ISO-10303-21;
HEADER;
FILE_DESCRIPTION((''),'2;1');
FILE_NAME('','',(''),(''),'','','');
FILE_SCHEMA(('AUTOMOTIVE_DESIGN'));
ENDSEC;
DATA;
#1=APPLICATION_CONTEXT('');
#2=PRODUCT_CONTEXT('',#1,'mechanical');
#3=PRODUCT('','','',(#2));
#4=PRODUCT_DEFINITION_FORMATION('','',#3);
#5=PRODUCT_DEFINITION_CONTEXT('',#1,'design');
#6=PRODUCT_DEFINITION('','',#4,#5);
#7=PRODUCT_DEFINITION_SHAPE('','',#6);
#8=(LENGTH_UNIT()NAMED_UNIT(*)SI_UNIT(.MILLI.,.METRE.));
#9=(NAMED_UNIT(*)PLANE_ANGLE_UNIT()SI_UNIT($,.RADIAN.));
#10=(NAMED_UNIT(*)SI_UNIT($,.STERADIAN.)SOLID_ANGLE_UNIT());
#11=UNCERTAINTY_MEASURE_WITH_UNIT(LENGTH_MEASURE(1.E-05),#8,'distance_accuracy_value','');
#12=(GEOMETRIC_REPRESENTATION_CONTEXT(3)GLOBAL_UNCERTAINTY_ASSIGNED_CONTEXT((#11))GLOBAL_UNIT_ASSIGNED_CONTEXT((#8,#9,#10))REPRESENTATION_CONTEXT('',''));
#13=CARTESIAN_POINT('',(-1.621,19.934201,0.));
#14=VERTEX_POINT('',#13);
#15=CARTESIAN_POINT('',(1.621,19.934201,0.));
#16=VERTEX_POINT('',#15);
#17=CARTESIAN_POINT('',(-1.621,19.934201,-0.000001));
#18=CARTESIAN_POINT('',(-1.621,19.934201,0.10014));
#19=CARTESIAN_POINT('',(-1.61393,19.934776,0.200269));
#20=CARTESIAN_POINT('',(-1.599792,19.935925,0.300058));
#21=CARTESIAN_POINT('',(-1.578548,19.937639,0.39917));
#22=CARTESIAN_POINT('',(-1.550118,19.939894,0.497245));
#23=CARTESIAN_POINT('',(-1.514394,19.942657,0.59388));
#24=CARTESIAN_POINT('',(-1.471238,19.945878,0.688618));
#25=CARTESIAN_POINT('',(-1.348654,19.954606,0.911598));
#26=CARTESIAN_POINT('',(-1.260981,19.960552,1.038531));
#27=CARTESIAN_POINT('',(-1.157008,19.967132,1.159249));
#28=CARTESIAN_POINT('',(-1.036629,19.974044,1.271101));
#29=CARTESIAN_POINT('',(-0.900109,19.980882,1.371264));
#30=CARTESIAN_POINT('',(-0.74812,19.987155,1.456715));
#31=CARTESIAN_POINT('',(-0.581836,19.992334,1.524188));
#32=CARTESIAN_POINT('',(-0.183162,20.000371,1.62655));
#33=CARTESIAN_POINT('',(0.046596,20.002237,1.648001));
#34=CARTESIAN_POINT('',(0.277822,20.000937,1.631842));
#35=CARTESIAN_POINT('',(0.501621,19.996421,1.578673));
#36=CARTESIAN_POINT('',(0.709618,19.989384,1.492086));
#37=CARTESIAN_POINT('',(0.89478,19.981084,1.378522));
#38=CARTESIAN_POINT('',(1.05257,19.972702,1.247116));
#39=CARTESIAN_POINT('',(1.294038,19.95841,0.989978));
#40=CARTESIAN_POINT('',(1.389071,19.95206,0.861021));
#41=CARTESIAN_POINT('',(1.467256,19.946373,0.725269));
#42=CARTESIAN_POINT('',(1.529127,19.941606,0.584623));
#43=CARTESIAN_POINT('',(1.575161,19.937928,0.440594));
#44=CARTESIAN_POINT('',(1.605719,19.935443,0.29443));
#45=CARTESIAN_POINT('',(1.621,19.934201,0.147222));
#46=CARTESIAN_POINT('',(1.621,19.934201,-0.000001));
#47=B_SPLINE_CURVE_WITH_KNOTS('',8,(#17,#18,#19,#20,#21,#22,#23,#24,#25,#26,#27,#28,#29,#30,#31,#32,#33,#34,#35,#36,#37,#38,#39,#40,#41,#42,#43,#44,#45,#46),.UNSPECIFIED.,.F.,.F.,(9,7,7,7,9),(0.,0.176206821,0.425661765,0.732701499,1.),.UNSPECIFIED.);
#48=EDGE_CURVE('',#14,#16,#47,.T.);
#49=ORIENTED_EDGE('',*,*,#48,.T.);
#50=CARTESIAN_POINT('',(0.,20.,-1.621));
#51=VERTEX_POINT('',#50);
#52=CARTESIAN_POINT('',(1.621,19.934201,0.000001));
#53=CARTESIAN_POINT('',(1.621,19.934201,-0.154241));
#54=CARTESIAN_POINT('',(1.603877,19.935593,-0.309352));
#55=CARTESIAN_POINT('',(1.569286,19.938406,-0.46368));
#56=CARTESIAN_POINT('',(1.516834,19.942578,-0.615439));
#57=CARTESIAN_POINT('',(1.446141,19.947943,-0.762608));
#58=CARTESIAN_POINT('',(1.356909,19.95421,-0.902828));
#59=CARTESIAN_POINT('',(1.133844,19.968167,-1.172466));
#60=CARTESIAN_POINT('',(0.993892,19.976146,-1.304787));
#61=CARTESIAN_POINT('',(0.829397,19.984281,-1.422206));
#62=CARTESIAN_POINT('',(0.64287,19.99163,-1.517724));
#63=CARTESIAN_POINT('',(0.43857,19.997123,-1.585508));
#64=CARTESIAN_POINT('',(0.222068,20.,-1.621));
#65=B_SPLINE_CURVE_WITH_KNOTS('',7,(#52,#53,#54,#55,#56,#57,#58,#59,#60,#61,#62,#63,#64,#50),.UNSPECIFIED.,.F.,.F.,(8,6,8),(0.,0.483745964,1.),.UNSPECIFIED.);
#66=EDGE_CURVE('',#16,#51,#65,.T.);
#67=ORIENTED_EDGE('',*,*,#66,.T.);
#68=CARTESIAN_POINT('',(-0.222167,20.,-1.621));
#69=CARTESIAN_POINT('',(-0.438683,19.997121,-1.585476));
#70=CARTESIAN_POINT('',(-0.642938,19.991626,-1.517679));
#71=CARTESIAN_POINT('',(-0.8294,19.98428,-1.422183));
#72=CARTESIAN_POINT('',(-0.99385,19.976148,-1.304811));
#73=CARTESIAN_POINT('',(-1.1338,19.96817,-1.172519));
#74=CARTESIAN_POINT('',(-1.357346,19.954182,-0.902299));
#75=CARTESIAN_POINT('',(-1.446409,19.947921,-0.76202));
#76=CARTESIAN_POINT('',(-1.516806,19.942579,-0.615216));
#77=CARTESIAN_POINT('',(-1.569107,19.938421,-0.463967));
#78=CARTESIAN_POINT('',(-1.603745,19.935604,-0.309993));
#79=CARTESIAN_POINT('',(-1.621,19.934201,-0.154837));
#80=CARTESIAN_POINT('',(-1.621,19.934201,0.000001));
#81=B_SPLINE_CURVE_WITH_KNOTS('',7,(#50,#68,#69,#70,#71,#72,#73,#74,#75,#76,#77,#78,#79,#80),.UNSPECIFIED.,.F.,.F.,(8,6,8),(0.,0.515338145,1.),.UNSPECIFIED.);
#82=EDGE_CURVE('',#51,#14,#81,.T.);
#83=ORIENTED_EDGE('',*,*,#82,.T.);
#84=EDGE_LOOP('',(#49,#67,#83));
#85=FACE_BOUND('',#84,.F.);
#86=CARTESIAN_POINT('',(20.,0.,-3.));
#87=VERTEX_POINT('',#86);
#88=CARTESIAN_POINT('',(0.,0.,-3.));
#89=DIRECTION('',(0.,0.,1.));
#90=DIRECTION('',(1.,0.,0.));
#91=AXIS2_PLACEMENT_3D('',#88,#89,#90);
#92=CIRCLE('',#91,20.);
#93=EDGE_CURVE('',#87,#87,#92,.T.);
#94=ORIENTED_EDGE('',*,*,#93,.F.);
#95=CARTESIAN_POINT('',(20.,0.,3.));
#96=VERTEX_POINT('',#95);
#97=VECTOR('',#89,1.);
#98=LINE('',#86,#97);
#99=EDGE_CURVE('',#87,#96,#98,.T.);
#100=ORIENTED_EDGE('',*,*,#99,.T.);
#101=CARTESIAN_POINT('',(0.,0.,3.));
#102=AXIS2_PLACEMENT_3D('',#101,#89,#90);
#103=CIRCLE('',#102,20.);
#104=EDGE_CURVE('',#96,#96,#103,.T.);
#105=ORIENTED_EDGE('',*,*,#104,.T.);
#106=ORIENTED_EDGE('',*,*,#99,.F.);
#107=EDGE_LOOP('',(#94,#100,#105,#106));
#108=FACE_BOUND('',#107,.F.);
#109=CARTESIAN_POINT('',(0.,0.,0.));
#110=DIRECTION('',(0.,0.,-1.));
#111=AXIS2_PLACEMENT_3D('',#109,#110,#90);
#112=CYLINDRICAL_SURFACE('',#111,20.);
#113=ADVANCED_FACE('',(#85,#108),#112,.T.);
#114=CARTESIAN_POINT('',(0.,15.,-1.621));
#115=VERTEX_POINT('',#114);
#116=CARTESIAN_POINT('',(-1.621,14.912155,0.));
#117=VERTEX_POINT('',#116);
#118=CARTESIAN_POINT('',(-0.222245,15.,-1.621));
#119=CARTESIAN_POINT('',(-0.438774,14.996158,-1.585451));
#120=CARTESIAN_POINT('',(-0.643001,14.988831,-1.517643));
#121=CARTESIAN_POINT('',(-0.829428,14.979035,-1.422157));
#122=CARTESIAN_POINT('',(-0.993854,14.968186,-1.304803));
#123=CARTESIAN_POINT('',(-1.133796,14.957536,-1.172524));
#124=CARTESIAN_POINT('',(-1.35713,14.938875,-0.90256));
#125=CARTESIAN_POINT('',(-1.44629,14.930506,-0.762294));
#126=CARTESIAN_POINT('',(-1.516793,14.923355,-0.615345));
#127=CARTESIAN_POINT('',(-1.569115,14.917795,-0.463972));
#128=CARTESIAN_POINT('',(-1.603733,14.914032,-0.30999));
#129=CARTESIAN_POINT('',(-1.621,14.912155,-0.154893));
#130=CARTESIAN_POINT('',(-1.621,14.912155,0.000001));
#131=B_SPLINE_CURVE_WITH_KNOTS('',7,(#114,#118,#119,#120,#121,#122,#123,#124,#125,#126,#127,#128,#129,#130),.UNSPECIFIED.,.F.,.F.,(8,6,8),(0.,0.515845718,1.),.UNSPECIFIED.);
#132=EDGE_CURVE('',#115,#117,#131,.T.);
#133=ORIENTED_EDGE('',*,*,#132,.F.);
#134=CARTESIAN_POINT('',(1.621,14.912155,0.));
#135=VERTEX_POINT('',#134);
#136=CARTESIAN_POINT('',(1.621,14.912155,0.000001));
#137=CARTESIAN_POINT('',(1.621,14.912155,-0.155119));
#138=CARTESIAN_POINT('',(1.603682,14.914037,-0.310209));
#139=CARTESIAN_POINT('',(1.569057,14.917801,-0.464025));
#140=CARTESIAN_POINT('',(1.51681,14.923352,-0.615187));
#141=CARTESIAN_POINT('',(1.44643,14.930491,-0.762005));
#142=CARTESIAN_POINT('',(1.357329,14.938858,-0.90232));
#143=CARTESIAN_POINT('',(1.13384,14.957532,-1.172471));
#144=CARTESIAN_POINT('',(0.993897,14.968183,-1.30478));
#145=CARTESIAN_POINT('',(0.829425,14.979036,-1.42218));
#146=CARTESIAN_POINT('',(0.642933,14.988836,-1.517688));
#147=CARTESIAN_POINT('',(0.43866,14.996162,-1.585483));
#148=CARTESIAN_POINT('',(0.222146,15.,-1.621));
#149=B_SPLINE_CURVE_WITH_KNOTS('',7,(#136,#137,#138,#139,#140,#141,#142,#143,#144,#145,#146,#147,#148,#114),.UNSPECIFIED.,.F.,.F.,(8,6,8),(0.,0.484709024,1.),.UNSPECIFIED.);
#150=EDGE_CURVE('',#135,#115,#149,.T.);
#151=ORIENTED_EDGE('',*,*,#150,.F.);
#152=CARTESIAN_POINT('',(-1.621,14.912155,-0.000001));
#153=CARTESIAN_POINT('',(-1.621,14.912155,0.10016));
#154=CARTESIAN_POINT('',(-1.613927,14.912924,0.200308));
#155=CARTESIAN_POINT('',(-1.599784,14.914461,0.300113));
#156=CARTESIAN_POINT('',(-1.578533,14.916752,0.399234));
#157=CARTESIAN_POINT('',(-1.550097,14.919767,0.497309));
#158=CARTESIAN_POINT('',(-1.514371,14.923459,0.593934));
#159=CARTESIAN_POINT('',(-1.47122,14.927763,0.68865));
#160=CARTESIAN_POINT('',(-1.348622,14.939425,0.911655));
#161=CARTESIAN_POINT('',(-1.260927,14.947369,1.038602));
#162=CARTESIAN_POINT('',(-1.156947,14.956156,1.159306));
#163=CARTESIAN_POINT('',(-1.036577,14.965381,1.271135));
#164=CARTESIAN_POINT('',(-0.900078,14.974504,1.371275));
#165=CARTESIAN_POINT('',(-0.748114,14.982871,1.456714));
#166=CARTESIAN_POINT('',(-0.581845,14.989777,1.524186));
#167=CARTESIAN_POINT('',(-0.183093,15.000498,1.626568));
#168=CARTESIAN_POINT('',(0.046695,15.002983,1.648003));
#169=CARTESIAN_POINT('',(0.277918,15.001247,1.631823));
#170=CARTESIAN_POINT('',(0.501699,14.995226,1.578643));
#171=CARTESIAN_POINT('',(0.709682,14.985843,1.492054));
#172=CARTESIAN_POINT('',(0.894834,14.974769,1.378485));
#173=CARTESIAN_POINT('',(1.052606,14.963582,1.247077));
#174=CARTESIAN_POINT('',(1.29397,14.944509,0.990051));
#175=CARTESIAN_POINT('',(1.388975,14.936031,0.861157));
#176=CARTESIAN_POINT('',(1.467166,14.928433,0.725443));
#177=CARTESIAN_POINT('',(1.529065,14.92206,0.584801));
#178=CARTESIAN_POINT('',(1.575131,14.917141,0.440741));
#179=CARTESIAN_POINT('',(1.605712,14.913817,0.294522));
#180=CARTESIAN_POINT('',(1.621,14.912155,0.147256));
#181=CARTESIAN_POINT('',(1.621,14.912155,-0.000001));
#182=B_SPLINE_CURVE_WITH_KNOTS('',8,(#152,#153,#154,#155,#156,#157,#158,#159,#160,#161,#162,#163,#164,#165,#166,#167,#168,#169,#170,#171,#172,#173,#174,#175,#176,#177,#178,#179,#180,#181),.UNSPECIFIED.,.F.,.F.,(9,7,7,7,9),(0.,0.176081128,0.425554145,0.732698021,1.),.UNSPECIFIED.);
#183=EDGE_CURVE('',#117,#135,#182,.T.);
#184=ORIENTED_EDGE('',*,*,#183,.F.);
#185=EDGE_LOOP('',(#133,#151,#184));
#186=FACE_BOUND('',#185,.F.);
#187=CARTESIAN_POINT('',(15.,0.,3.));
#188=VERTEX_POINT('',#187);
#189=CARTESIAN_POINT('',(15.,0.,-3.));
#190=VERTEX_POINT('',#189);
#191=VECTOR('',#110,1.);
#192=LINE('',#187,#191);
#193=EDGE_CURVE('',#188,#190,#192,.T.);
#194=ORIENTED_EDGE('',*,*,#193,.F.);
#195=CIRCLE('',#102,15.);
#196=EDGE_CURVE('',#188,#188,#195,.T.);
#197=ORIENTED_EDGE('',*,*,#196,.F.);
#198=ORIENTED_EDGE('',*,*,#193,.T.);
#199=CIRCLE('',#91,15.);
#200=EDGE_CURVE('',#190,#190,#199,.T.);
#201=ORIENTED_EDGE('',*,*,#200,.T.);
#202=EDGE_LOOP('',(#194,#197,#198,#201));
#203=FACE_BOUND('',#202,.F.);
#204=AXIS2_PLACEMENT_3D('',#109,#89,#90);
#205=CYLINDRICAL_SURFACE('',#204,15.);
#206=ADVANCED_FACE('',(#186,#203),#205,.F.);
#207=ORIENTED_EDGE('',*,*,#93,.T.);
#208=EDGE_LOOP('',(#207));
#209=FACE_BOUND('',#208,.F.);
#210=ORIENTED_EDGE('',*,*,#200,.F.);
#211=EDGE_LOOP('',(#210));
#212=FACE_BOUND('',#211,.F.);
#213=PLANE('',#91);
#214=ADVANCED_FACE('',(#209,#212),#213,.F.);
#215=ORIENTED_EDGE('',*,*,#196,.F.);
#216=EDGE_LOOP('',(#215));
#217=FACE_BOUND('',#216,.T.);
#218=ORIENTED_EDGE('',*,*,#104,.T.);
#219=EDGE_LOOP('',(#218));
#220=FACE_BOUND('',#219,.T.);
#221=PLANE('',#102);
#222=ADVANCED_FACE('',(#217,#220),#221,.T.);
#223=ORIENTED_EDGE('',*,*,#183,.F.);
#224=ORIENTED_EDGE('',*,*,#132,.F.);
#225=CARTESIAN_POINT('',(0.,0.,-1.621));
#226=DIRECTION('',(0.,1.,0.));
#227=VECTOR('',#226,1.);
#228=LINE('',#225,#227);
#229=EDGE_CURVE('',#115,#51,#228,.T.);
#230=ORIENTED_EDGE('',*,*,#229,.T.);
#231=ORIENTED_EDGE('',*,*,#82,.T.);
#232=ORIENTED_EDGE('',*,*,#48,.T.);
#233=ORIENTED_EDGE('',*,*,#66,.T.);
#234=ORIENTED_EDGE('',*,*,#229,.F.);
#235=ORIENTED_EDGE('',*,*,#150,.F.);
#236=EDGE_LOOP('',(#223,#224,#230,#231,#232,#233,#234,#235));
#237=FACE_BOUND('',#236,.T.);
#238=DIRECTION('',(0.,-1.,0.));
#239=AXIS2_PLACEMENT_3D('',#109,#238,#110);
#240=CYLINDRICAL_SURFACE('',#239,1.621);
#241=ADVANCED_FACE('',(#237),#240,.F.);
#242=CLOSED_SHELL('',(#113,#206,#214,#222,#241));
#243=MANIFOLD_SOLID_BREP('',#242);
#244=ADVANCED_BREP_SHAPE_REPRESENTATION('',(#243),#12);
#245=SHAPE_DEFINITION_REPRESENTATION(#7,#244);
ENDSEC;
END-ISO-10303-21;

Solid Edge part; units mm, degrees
sketch "Sketch1" plane through (0, 0, 0) normal (0, 0, 1) x (1, 0, 0)
  circle A0 centre (0, 0) radius 15
  circle A1 centre (0, 0) radius 20
  dimension "D1" = 40
  dimension "D2" = 30
extrude "Extrusionsausprägung_20" add sketch "Sketch1" along normal mid plane 6
hole "Bohrung_4" at (0, 0, 0) direction (0, 1, 0) diameter 3.242 end up to next
